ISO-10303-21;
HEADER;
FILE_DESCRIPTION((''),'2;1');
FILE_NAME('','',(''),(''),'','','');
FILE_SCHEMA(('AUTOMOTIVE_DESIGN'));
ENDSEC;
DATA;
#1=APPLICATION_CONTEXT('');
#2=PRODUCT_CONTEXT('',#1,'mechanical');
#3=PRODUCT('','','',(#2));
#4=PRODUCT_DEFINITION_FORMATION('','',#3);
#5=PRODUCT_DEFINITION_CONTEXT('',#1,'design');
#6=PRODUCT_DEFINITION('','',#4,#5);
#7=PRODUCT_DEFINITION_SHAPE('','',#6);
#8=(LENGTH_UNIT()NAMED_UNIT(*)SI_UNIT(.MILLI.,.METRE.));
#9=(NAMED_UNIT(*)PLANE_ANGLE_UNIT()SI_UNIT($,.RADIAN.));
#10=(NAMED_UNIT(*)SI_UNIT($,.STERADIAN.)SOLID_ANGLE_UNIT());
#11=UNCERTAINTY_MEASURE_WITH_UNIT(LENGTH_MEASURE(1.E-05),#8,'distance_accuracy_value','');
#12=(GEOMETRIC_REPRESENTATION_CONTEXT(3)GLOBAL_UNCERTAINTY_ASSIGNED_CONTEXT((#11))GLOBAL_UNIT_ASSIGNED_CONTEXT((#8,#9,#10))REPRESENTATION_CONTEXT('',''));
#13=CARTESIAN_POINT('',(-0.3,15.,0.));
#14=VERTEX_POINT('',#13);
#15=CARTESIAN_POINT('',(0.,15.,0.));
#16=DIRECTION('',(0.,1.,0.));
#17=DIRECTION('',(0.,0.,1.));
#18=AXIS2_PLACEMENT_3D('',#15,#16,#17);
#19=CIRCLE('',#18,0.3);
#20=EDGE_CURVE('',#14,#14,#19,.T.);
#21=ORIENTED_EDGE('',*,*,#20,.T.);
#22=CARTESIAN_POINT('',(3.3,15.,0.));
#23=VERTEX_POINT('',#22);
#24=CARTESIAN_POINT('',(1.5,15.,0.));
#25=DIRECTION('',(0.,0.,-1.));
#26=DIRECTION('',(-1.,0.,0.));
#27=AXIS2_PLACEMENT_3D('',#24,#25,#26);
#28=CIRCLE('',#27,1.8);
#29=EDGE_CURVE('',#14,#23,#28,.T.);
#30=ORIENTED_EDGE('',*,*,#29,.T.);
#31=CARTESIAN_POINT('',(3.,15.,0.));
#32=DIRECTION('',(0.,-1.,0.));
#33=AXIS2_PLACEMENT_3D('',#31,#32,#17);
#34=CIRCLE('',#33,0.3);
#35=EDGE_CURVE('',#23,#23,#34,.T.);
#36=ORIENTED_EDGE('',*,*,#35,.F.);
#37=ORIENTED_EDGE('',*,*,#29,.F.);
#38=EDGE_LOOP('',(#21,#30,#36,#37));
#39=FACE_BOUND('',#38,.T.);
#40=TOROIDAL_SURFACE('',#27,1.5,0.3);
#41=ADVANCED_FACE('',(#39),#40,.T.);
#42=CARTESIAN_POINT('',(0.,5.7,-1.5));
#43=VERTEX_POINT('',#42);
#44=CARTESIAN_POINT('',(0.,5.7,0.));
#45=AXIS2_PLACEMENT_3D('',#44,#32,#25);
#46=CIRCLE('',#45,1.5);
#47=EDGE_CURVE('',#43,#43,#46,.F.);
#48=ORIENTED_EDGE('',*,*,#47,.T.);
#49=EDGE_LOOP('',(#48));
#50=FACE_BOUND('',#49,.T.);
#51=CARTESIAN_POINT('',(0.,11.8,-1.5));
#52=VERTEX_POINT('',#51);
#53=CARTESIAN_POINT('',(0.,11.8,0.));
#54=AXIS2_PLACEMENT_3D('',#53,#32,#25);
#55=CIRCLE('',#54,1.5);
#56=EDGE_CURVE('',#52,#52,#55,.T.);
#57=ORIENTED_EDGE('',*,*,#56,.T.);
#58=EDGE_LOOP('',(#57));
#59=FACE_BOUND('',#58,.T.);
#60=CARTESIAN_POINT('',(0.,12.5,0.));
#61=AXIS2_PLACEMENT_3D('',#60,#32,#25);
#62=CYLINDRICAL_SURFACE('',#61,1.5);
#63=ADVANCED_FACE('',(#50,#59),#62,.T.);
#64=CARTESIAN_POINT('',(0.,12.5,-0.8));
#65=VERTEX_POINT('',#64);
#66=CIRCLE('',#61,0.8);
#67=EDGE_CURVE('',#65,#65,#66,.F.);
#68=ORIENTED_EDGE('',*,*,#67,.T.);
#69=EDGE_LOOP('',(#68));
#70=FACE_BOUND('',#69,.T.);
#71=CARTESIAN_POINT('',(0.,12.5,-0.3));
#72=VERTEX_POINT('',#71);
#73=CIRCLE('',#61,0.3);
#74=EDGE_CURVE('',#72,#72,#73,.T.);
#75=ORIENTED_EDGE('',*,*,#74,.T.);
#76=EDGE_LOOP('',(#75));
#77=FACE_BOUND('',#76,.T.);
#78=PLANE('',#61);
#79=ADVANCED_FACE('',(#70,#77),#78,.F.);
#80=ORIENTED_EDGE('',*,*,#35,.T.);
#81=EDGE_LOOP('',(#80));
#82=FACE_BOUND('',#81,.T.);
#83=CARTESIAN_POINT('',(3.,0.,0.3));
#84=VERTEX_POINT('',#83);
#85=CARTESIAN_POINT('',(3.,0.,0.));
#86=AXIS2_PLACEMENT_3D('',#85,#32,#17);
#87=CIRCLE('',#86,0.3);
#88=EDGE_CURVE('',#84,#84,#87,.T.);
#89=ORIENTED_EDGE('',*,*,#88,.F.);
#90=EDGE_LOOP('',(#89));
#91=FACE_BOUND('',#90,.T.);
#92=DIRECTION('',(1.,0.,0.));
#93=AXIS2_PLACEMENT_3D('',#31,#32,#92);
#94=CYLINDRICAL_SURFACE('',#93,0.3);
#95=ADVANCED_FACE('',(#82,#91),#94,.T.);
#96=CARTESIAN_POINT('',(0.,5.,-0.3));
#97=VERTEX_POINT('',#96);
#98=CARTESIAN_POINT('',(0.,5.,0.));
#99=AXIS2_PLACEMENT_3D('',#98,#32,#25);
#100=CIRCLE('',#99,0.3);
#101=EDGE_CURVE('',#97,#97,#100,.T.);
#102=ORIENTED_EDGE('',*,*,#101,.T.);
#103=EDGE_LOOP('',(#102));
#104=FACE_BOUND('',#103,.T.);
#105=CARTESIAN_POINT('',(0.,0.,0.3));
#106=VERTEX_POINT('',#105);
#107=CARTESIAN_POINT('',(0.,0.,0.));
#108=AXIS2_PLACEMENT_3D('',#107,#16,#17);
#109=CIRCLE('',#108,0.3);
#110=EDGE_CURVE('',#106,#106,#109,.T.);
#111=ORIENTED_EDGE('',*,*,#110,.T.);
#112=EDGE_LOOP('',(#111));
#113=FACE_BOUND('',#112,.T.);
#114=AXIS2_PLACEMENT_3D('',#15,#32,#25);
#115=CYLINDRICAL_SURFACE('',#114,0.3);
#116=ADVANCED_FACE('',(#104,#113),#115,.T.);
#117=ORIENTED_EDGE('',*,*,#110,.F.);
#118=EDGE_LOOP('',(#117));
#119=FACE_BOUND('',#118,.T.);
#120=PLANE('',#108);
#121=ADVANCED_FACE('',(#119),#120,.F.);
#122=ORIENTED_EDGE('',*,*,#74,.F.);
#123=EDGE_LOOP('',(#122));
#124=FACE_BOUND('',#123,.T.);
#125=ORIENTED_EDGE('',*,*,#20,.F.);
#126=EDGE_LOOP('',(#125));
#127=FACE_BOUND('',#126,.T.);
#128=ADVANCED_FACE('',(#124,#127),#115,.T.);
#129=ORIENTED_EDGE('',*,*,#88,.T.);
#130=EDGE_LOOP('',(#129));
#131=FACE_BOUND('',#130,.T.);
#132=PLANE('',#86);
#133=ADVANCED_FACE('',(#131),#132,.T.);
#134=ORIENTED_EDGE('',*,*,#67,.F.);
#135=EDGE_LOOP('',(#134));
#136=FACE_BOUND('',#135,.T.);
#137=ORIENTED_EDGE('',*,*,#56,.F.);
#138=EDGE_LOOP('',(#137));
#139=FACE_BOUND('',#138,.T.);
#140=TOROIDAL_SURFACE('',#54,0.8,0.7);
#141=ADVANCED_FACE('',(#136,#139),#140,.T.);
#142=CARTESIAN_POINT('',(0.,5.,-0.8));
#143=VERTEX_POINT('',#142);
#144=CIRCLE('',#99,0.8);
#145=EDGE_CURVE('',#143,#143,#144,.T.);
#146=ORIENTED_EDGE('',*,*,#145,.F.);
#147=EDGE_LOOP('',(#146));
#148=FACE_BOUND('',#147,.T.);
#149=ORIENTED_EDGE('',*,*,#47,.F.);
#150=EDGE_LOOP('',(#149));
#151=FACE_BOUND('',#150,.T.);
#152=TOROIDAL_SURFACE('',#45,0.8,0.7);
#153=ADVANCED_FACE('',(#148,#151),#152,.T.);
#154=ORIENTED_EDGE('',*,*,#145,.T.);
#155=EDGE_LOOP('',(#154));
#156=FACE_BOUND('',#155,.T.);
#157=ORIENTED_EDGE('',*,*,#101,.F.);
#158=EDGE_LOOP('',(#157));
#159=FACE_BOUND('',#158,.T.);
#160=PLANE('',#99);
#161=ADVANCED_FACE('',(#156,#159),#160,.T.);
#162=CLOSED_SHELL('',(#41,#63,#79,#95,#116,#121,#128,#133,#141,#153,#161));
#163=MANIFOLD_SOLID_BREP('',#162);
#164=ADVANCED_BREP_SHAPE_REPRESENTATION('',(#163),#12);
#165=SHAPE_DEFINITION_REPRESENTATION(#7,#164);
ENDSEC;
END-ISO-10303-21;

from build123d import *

# Parameters (mm, degrees)
SKETCH_2_R      = 0.3
SKETCH_3_R      = 1.5
EXTRUDE_1_DEPTH = 7.5
FILLET_1_R      = 0.7


with BuildPart() as part:
    # По траектории1: sweep along a path in Эскиз1
    with BuildLine(Plane.XY) as sweep_1_path:
        Line((0, 0), (0, 15))
        ThreePointArc((0, 15), (1.5, 16.5), (3, 15))
        Line((3, 15), (3, 0))
    # Эскиз2 → По траектории1 (sweep)
    with BuildSketch(Plane(origin=(0, 0, 0), x_dir=(1, 0, 0), z_dir=(0, 1, 0))):
        Circle(SKETCH_2_R)
    sweep(path=sweep_1_path.line)

    # Эскиз3 → Вытянуть1 (add)
    with BuildSketch(Plane.XZ.offset(-5)):
        with Locations(Location((0, 0, 0), (0, 0, 270))):
            Circle(SKETCH_3_R)
    extrude(amount=-EXTRUDE_1_DEPTH)

    # Скругление1
    fillet_1_edges = [part.edges().sort_by_distance(p)[0] for p in [
        (0, 5, 1.5),
        (0, 12.5, 1.5),
    ]]
    fillet(fillet_1_edges, radius=FILLET_1_R)


solid = part.part
